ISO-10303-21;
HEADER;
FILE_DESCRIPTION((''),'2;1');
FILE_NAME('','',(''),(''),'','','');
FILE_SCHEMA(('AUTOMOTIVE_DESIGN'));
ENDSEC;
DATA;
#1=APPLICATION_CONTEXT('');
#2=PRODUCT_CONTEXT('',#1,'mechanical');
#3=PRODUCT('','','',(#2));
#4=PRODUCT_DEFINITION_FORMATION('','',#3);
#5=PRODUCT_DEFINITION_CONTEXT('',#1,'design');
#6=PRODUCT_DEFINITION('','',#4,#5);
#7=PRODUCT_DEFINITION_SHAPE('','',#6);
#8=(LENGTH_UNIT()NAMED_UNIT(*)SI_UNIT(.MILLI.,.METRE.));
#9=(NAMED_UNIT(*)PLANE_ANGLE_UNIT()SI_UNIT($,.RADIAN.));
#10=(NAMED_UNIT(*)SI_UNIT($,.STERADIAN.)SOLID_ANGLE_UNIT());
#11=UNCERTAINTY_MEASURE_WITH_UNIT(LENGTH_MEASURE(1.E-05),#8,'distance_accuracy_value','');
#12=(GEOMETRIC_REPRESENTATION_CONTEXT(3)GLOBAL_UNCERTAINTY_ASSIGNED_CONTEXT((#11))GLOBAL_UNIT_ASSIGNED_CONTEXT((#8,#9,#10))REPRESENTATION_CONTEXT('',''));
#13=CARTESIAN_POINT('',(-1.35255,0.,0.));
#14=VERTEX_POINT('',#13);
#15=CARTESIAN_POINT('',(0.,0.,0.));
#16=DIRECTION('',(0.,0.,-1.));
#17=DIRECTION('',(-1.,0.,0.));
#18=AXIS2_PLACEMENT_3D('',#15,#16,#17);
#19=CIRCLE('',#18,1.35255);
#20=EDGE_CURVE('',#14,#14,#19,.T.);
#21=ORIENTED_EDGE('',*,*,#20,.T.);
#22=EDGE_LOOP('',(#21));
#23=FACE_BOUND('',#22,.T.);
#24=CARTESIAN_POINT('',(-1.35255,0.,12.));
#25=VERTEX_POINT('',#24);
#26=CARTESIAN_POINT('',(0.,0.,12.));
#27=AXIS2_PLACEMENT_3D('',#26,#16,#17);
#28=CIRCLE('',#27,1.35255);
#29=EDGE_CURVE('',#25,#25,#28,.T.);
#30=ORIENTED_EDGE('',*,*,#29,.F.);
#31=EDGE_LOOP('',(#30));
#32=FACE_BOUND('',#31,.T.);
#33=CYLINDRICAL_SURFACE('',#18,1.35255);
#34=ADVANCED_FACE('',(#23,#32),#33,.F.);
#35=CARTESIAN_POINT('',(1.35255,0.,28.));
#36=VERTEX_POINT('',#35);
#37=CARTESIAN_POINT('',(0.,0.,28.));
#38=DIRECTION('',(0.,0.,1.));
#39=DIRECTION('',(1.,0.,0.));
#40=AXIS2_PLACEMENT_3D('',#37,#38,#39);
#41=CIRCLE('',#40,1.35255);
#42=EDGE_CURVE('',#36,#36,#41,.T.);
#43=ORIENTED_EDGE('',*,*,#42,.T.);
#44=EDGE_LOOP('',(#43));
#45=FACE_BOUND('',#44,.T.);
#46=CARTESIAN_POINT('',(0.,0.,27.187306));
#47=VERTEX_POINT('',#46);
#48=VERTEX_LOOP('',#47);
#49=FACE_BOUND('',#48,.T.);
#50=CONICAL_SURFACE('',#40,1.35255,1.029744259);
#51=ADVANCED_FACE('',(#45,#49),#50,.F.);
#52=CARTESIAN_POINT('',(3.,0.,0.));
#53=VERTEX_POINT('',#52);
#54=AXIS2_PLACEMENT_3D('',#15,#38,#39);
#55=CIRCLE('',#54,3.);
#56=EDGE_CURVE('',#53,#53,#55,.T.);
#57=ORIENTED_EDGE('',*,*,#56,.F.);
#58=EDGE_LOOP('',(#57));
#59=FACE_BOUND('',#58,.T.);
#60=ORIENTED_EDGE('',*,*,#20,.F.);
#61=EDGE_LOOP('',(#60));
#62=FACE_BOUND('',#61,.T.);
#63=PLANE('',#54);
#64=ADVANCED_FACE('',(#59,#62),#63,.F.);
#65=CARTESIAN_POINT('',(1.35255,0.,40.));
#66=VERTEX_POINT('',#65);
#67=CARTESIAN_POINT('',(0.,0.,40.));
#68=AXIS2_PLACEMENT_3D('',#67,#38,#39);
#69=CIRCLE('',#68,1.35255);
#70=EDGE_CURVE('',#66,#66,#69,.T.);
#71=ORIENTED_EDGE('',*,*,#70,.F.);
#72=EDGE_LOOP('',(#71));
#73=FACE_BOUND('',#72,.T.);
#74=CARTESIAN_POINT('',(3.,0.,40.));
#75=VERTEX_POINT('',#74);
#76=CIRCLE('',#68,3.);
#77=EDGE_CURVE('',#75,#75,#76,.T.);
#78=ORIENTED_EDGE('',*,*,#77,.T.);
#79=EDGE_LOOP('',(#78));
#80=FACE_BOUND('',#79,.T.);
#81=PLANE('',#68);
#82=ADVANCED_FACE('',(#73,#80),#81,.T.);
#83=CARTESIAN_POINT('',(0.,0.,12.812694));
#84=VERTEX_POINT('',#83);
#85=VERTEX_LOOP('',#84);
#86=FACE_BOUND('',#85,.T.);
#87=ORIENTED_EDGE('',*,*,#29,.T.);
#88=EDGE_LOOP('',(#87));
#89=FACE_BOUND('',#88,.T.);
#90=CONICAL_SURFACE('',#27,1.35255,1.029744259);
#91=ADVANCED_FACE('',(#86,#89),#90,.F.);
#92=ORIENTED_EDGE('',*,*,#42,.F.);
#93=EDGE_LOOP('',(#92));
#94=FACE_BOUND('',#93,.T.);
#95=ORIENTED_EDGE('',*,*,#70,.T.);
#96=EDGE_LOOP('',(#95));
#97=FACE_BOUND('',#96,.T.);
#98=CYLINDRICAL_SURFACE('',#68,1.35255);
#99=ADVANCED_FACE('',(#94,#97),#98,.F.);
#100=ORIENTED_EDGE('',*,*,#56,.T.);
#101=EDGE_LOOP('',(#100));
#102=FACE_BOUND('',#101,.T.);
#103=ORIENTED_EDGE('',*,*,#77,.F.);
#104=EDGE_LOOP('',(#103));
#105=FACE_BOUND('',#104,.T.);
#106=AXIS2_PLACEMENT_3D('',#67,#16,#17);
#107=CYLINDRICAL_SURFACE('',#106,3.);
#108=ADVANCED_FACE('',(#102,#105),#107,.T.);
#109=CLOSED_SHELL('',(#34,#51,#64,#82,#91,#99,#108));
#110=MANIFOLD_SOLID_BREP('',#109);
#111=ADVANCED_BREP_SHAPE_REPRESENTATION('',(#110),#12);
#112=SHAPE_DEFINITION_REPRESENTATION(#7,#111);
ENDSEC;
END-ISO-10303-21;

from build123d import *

# Parameters (mm, degrees)
SKETCH1_R                 = 3
BOSS_EXTRUDE1_DEPTH       = 40
F_6_32_TAPPED_HOLE1_D     = 2.7051
F_6_32_TAPPED_HOLE1_DEPTH = 12
F_6_32_TAPPED_HOLE1_TIP   = 0.81269403
F_6_32_TAPPED_HOLE2_D     = 2.7051
F_6_32_TAPPED_HOLE2_DEPTH = 12
F_6_32_TAPPED_HOLE2_TIP   = 0.81269403


with BuildPart() as part:
    # Sketch1 → Boss-Extrude1 (new body)
    with BuildSketch(Plane.XY):
        Circle(SKETCH1_R)
    extrude(amount=BOSS_EXTRUDE1_DEPTH)

    # #6-32 Tapped Hole1
    with Locations(Plane(origin=(0, 0, 0), x_dir=(-1, 0, 0), z_dir=(0, 0, -1))):
        with Locations((0, 0)):
            Hole(F_6_32_TAPPED_HOLE1_D / 2, depth=F_6_32_TAPPED_HOLE1_DEPTH)
            with Locations((0, 0, -(F_6_32_TAPPED_HOLE1_DEPTH + F_6_32_TAPPED_HOLE1_TIP / 2))):  # 118° drill point
                Cone(0, F_6_32_TAPPED_HOLE1_D / 2, F_6_32_TAPPED_HOLE1_TIP, mode=Mode.SUBTRACT)

    # #6-32 Tapped Hole2
    with Locations(Plane.XY.offset(40)):
        with Locations((0, 0)):
            Hole(F_6_32_TAPPED_HOLE2_D / 2, depth=F_6_32_TAPPED_HOLE2_DEPTH)
            with Locations((0, 0, -(F_6_32_TAPPED_HOLE2_DEPTH + F_6_32_TAPPED_HOLE2_TIP / 2))):  # 118° drill point
                Cone(0, F_6_32_TAPPED_HOLE2_D / 2, F_6_32_TAPPED_HOLE2_TIP, mode=Mode.SUBTRACT)


solid = part.part
